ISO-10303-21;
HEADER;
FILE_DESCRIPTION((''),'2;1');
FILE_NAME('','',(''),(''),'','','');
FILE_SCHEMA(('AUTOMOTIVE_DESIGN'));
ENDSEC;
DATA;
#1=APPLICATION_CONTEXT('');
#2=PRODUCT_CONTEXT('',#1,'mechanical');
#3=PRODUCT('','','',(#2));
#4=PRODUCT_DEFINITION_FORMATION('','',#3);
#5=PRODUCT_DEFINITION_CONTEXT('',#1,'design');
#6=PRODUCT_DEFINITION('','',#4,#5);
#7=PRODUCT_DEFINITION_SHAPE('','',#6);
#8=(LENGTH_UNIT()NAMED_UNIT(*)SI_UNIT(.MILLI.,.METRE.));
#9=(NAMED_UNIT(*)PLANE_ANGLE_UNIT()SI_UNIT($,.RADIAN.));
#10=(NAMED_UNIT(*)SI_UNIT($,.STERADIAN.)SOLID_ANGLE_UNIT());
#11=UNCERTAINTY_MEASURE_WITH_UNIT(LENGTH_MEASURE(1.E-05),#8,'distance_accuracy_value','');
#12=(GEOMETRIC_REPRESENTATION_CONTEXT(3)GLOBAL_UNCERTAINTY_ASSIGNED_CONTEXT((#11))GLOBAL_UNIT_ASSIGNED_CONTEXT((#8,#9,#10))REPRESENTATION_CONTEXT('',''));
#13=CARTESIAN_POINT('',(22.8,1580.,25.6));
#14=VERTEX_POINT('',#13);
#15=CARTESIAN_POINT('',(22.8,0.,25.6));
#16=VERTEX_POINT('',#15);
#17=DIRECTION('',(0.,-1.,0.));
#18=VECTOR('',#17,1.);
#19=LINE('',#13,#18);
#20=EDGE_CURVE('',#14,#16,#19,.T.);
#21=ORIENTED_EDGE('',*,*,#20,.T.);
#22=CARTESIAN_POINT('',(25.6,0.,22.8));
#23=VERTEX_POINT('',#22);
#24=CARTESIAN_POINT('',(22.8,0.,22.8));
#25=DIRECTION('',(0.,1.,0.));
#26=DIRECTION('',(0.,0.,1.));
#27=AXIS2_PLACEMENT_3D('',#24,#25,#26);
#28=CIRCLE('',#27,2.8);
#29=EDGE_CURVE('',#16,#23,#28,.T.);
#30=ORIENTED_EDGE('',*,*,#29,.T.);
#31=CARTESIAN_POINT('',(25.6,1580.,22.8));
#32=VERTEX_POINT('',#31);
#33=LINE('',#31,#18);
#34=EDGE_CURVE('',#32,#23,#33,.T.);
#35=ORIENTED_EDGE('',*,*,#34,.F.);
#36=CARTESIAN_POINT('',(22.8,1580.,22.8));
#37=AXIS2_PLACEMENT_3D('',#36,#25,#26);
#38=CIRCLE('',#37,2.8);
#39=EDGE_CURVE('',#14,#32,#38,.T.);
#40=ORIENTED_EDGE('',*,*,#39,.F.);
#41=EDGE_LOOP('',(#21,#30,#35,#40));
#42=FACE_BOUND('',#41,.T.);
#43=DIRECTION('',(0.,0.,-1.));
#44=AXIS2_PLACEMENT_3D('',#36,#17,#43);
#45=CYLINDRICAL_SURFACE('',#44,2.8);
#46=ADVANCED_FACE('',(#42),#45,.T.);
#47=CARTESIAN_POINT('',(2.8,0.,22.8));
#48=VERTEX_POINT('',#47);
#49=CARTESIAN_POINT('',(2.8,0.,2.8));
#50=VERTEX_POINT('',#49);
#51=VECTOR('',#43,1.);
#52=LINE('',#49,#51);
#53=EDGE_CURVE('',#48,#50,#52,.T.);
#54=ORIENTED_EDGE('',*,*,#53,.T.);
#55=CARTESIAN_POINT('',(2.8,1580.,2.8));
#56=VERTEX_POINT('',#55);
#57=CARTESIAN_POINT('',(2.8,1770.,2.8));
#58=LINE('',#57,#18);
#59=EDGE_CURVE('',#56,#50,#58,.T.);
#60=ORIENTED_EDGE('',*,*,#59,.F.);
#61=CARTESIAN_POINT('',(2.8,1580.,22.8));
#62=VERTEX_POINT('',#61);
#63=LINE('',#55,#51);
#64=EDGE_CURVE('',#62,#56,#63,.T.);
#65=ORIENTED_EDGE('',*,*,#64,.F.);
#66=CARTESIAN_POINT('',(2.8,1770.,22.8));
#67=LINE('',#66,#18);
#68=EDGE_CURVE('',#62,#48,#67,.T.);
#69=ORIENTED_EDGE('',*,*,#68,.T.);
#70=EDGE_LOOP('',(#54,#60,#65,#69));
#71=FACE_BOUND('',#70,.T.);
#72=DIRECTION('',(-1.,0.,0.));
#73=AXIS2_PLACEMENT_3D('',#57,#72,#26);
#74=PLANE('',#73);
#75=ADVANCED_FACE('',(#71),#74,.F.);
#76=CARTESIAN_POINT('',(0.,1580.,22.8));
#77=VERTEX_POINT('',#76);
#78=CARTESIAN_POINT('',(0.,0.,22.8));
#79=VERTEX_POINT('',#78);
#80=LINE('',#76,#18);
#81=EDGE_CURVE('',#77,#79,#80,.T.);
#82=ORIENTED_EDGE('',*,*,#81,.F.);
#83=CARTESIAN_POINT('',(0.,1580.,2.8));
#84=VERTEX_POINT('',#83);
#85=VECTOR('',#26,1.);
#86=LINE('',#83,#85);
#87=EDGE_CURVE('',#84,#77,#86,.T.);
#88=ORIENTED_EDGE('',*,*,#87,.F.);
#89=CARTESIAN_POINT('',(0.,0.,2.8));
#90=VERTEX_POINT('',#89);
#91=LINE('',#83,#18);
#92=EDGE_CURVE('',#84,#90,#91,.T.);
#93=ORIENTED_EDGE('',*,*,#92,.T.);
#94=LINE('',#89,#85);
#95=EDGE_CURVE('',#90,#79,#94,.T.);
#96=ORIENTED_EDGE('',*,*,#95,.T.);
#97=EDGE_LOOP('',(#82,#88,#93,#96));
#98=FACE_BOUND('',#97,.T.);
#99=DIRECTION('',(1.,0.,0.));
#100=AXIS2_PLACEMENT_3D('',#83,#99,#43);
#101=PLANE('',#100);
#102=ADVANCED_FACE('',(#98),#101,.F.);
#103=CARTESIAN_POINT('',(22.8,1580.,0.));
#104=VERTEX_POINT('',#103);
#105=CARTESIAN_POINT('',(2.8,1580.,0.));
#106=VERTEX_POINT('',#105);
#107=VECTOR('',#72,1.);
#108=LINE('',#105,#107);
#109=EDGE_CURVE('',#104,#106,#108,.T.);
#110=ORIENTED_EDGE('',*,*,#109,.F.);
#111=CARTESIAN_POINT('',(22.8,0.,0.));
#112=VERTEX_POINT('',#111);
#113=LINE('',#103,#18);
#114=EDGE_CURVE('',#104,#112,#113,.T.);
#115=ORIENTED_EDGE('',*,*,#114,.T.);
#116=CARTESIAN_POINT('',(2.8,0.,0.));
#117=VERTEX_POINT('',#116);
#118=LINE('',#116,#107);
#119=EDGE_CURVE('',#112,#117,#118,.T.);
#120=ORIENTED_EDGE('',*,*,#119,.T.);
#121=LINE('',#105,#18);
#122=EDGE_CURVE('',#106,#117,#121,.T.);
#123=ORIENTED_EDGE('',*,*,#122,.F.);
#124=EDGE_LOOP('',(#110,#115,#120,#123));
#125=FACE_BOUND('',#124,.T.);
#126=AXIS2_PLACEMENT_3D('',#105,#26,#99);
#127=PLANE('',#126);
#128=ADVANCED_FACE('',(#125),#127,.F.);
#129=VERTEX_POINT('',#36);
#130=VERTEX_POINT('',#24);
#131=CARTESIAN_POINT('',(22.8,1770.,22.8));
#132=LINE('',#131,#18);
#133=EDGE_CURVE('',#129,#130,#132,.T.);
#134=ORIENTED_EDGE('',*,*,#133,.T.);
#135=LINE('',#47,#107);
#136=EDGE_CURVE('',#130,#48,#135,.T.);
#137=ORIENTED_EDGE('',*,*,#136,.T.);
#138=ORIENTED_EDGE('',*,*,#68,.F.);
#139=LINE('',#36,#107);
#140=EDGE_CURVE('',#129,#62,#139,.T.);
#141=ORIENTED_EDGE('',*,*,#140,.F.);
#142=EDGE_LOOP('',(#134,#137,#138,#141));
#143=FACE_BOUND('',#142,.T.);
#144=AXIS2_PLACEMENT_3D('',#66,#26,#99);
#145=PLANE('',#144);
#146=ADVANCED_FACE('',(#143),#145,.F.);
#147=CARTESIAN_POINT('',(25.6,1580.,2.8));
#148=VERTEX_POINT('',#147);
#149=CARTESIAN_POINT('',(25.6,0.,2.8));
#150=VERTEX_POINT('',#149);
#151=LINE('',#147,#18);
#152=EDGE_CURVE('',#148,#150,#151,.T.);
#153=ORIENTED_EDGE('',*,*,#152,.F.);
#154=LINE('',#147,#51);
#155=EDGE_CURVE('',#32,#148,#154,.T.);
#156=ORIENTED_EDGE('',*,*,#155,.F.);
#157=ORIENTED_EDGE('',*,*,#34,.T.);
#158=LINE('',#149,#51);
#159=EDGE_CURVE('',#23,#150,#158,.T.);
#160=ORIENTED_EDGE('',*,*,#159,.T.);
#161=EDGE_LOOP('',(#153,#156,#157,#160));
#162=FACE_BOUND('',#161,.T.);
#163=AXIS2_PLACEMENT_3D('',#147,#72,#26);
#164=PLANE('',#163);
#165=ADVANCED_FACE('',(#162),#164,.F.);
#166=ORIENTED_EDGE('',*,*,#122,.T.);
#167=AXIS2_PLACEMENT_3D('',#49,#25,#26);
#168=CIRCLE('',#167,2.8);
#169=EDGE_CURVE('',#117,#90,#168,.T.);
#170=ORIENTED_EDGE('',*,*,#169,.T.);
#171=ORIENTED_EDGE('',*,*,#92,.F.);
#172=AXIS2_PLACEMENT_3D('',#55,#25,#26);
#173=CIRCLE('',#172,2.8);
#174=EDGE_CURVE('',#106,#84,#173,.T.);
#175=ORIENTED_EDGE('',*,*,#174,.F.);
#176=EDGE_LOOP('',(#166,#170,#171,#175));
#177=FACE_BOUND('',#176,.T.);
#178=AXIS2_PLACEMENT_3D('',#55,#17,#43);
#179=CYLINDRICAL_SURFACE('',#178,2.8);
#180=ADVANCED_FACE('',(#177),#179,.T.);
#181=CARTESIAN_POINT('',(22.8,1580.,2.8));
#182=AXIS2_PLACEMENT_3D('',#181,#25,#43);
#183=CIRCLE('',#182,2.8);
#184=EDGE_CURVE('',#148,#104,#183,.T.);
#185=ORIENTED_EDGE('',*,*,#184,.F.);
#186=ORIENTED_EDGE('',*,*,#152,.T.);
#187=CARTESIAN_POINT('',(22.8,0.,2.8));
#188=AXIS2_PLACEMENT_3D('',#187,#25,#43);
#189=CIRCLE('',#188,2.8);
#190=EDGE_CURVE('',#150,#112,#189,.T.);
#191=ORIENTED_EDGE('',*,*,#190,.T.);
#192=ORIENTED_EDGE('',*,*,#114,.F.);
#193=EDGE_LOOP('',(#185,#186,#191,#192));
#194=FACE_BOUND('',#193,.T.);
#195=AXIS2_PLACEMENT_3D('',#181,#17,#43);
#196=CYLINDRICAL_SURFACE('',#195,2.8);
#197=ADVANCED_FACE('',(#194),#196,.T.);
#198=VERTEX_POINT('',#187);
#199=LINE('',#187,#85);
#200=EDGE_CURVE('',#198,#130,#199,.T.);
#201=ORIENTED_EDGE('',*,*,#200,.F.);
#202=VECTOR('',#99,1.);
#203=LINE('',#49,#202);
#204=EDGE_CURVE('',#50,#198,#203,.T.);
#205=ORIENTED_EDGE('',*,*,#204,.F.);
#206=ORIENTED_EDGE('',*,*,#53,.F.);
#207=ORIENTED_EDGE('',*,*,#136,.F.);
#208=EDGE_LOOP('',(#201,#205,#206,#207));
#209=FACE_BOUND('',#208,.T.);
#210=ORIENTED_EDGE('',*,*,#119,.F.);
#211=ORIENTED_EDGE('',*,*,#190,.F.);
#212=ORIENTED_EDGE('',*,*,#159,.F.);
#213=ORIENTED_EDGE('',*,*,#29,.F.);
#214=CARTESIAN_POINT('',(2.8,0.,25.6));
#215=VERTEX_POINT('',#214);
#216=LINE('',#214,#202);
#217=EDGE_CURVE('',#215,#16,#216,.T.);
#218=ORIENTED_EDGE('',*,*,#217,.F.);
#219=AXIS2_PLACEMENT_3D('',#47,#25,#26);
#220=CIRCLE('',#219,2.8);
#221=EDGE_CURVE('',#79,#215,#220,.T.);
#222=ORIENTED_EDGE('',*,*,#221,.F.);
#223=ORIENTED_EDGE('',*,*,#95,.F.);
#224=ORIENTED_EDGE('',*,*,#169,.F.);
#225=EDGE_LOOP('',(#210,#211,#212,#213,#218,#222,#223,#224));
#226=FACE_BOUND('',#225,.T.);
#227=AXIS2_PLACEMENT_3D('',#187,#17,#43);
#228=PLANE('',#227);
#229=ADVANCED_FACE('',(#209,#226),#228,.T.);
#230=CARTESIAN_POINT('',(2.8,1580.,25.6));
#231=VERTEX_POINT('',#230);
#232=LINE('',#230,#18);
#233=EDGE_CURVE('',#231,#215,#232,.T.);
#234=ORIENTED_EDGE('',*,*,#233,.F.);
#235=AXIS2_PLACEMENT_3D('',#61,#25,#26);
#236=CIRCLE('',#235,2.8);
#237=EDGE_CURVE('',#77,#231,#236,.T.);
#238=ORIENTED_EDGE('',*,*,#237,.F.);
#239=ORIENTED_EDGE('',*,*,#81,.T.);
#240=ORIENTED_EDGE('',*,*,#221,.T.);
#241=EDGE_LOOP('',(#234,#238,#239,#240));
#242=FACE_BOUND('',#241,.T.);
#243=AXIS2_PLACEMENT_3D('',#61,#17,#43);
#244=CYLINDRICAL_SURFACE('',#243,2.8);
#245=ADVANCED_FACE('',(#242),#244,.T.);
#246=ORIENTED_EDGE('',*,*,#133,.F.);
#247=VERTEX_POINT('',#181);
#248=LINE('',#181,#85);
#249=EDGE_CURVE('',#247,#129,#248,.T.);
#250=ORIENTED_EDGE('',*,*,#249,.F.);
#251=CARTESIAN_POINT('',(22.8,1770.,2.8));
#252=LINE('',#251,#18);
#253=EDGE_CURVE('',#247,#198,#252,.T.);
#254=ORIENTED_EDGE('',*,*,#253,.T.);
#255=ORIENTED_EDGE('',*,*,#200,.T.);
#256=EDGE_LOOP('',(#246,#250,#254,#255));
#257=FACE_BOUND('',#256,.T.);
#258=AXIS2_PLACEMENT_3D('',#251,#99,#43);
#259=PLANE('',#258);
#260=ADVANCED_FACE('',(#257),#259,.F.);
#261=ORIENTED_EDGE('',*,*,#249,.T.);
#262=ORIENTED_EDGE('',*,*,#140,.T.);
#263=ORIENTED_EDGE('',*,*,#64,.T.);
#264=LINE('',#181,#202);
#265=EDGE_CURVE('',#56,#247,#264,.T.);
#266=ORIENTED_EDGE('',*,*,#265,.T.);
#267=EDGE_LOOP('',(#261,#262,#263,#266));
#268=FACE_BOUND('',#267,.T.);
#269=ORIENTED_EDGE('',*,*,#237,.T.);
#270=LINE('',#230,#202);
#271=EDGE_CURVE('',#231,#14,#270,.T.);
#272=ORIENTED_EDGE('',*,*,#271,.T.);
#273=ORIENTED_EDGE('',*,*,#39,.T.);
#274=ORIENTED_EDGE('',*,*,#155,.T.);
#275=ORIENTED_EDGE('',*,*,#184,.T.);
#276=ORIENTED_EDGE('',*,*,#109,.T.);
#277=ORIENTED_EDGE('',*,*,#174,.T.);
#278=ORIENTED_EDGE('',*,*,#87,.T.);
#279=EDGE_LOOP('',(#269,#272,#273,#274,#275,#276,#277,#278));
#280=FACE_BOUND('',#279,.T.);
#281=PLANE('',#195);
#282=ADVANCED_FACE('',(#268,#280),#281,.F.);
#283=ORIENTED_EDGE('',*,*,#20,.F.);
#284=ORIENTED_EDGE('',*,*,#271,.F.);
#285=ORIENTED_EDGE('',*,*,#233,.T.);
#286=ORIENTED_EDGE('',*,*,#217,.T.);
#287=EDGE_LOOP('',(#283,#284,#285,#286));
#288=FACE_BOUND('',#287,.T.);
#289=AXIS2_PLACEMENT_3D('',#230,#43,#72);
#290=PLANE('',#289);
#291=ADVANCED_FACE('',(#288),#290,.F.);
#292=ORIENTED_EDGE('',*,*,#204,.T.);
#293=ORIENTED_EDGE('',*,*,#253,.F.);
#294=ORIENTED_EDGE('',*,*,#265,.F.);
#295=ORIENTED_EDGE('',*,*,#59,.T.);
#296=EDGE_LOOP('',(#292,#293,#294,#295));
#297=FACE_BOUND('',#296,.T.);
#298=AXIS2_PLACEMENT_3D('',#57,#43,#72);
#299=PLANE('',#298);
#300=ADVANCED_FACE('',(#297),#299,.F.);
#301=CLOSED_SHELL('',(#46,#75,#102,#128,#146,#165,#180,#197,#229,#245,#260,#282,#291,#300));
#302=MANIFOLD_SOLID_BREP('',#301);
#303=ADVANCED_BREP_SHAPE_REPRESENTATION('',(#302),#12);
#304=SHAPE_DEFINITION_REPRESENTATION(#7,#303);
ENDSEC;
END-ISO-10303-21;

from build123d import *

# Parameters (mm, degrees)
BOSS_EXTRUDE1_DEPTH = 1580
SKETCH3_W           = 20
SKETCH3_H           = 20
CUT_EXTRUDE1_DEPTH  = 1770


with BuildPart() as part:
    # Sketch1 → Boss-Extrude1 (new body)
    with BuildSketch(Plane(origin=(0, 0, 0), x_dir=(1, 0, 0), z_dir=(0, 1, 0))):
        with BuildLine():
            Line((2.8, 0), (22.8, 0))
            ThreePointArc((22.8, 0), (24.779898987, -0.820101013), (25.6, -2.8))
            Line((25.6, -2.8), (25.6, -22.8))
            ThreePointArc((25.6, -22.8), (24.779898987, -24.779898987), (22.8, -25.6))
            Line((22.8, -25.6), (2.8, -25.6))
            ThreePointArc((2.8, -25.6), (0.820101013, -24.779898987), (0, -22.8))
            Line((0, -22.8), (0, -2.8))
            ThreePointArc((0, -2.8), (0.820101013, -0.820101013), (2.8, 0))
        make_face()
    extrude(amount=BOSS_EXTRUDE1_DEPTH)

    # Sketch3 → Cut-Extrude1 (cut)
    with BuildSketch(Plane(origin=(0, 0, 0), x_dir=(-1, 0, 0), z_dir=(0, -1, 0))):
        with Locations((-12.8, -12.8)):
            Rectangle(SKETCH3_W, SKETCH3_H)
    extrude(amount=-CUT_EXTRUDE1_DEPTH, mode=Mode.SUBTRACT)


solid = part.part
